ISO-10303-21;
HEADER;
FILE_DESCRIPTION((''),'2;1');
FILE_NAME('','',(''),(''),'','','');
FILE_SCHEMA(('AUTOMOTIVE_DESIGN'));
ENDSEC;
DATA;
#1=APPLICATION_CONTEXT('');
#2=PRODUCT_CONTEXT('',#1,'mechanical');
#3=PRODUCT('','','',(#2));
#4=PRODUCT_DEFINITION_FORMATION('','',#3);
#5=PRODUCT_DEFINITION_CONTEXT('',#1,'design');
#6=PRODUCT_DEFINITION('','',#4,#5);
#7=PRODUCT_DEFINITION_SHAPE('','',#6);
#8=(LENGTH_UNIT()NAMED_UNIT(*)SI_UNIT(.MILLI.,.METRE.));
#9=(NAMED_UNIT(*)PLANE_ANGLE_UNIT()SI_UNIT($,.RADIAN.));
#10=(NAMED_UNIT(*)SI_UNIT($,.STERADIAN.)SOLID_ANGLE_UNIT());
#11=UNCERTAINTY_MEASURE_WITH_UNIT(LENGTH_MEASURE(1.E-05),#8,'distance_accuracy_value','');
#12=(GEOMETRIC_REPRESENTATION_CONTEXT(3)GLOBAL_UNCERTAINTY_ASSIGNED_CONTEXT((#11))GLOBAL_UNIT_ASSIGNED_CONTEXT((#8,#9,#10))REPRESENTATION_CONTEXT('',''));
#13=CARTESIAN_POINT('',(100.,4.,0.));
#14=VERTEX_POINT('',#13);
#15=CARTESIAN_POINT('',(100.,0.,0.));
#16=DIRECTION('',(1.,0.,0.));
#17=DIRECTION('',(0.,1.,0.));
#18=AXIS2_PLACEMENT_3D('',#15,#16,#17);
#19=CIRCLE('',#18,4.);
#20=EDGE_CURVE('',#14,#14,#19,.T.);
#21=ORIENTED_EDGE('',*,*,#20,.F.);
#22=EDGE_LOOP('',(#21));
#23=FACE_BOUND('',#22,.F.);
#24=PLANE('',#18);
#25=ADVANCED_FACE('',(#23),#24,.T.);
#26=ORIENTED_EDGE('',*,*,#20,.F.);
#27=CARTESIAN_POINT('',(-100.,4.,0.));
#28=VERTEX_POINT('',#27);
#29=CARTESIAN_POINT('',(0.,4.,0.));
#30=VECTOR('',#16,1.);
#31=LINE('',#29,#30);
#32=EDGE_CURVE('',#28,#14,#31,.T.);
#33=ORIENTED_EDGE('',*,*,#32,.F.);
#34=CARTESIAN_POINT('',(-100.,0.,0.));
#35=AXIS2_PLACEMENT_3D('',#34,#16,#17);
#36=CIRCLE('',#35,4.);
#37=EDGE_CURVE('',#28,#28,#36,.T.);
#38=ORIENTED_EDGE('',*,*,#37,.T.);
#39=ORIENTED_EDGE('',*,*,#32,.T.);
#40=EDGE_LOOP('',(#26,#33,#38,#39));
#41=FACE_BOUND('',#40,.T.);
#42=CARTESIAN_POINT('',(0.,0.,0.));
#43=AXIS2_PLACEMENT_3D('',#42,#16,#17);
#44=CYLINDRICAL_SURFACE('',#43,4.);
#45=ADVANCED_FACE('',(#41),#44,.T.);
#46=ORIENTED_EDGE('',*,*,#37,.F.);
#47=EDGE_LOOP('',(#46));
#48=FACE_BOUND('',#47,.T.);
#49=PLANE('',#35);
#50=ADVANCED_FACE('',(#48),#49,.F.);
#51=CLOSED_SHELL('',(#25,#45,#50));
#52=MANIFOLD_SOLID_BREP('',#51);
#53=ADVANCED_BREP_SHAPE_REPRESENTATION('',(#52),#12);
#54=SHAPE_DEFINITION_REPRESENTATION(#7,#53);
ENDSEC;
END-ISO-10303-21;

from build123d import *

# Parameters (mm, degrees)
SKETCH_1_W = 200
SKETCH_1_H = 4


with BuildPart() as part:
    # Эскиз1 → Повернуть1 (revolve)
    with BuildSketch(Plane.XY):
        with Locations((0, 2)):
            Rectangle(SKETCH_1_W, SKETCH_1_H)
    revolve(axis=Axis((-100, 0, 0), (1, 0, 0)))


solid = part.part
